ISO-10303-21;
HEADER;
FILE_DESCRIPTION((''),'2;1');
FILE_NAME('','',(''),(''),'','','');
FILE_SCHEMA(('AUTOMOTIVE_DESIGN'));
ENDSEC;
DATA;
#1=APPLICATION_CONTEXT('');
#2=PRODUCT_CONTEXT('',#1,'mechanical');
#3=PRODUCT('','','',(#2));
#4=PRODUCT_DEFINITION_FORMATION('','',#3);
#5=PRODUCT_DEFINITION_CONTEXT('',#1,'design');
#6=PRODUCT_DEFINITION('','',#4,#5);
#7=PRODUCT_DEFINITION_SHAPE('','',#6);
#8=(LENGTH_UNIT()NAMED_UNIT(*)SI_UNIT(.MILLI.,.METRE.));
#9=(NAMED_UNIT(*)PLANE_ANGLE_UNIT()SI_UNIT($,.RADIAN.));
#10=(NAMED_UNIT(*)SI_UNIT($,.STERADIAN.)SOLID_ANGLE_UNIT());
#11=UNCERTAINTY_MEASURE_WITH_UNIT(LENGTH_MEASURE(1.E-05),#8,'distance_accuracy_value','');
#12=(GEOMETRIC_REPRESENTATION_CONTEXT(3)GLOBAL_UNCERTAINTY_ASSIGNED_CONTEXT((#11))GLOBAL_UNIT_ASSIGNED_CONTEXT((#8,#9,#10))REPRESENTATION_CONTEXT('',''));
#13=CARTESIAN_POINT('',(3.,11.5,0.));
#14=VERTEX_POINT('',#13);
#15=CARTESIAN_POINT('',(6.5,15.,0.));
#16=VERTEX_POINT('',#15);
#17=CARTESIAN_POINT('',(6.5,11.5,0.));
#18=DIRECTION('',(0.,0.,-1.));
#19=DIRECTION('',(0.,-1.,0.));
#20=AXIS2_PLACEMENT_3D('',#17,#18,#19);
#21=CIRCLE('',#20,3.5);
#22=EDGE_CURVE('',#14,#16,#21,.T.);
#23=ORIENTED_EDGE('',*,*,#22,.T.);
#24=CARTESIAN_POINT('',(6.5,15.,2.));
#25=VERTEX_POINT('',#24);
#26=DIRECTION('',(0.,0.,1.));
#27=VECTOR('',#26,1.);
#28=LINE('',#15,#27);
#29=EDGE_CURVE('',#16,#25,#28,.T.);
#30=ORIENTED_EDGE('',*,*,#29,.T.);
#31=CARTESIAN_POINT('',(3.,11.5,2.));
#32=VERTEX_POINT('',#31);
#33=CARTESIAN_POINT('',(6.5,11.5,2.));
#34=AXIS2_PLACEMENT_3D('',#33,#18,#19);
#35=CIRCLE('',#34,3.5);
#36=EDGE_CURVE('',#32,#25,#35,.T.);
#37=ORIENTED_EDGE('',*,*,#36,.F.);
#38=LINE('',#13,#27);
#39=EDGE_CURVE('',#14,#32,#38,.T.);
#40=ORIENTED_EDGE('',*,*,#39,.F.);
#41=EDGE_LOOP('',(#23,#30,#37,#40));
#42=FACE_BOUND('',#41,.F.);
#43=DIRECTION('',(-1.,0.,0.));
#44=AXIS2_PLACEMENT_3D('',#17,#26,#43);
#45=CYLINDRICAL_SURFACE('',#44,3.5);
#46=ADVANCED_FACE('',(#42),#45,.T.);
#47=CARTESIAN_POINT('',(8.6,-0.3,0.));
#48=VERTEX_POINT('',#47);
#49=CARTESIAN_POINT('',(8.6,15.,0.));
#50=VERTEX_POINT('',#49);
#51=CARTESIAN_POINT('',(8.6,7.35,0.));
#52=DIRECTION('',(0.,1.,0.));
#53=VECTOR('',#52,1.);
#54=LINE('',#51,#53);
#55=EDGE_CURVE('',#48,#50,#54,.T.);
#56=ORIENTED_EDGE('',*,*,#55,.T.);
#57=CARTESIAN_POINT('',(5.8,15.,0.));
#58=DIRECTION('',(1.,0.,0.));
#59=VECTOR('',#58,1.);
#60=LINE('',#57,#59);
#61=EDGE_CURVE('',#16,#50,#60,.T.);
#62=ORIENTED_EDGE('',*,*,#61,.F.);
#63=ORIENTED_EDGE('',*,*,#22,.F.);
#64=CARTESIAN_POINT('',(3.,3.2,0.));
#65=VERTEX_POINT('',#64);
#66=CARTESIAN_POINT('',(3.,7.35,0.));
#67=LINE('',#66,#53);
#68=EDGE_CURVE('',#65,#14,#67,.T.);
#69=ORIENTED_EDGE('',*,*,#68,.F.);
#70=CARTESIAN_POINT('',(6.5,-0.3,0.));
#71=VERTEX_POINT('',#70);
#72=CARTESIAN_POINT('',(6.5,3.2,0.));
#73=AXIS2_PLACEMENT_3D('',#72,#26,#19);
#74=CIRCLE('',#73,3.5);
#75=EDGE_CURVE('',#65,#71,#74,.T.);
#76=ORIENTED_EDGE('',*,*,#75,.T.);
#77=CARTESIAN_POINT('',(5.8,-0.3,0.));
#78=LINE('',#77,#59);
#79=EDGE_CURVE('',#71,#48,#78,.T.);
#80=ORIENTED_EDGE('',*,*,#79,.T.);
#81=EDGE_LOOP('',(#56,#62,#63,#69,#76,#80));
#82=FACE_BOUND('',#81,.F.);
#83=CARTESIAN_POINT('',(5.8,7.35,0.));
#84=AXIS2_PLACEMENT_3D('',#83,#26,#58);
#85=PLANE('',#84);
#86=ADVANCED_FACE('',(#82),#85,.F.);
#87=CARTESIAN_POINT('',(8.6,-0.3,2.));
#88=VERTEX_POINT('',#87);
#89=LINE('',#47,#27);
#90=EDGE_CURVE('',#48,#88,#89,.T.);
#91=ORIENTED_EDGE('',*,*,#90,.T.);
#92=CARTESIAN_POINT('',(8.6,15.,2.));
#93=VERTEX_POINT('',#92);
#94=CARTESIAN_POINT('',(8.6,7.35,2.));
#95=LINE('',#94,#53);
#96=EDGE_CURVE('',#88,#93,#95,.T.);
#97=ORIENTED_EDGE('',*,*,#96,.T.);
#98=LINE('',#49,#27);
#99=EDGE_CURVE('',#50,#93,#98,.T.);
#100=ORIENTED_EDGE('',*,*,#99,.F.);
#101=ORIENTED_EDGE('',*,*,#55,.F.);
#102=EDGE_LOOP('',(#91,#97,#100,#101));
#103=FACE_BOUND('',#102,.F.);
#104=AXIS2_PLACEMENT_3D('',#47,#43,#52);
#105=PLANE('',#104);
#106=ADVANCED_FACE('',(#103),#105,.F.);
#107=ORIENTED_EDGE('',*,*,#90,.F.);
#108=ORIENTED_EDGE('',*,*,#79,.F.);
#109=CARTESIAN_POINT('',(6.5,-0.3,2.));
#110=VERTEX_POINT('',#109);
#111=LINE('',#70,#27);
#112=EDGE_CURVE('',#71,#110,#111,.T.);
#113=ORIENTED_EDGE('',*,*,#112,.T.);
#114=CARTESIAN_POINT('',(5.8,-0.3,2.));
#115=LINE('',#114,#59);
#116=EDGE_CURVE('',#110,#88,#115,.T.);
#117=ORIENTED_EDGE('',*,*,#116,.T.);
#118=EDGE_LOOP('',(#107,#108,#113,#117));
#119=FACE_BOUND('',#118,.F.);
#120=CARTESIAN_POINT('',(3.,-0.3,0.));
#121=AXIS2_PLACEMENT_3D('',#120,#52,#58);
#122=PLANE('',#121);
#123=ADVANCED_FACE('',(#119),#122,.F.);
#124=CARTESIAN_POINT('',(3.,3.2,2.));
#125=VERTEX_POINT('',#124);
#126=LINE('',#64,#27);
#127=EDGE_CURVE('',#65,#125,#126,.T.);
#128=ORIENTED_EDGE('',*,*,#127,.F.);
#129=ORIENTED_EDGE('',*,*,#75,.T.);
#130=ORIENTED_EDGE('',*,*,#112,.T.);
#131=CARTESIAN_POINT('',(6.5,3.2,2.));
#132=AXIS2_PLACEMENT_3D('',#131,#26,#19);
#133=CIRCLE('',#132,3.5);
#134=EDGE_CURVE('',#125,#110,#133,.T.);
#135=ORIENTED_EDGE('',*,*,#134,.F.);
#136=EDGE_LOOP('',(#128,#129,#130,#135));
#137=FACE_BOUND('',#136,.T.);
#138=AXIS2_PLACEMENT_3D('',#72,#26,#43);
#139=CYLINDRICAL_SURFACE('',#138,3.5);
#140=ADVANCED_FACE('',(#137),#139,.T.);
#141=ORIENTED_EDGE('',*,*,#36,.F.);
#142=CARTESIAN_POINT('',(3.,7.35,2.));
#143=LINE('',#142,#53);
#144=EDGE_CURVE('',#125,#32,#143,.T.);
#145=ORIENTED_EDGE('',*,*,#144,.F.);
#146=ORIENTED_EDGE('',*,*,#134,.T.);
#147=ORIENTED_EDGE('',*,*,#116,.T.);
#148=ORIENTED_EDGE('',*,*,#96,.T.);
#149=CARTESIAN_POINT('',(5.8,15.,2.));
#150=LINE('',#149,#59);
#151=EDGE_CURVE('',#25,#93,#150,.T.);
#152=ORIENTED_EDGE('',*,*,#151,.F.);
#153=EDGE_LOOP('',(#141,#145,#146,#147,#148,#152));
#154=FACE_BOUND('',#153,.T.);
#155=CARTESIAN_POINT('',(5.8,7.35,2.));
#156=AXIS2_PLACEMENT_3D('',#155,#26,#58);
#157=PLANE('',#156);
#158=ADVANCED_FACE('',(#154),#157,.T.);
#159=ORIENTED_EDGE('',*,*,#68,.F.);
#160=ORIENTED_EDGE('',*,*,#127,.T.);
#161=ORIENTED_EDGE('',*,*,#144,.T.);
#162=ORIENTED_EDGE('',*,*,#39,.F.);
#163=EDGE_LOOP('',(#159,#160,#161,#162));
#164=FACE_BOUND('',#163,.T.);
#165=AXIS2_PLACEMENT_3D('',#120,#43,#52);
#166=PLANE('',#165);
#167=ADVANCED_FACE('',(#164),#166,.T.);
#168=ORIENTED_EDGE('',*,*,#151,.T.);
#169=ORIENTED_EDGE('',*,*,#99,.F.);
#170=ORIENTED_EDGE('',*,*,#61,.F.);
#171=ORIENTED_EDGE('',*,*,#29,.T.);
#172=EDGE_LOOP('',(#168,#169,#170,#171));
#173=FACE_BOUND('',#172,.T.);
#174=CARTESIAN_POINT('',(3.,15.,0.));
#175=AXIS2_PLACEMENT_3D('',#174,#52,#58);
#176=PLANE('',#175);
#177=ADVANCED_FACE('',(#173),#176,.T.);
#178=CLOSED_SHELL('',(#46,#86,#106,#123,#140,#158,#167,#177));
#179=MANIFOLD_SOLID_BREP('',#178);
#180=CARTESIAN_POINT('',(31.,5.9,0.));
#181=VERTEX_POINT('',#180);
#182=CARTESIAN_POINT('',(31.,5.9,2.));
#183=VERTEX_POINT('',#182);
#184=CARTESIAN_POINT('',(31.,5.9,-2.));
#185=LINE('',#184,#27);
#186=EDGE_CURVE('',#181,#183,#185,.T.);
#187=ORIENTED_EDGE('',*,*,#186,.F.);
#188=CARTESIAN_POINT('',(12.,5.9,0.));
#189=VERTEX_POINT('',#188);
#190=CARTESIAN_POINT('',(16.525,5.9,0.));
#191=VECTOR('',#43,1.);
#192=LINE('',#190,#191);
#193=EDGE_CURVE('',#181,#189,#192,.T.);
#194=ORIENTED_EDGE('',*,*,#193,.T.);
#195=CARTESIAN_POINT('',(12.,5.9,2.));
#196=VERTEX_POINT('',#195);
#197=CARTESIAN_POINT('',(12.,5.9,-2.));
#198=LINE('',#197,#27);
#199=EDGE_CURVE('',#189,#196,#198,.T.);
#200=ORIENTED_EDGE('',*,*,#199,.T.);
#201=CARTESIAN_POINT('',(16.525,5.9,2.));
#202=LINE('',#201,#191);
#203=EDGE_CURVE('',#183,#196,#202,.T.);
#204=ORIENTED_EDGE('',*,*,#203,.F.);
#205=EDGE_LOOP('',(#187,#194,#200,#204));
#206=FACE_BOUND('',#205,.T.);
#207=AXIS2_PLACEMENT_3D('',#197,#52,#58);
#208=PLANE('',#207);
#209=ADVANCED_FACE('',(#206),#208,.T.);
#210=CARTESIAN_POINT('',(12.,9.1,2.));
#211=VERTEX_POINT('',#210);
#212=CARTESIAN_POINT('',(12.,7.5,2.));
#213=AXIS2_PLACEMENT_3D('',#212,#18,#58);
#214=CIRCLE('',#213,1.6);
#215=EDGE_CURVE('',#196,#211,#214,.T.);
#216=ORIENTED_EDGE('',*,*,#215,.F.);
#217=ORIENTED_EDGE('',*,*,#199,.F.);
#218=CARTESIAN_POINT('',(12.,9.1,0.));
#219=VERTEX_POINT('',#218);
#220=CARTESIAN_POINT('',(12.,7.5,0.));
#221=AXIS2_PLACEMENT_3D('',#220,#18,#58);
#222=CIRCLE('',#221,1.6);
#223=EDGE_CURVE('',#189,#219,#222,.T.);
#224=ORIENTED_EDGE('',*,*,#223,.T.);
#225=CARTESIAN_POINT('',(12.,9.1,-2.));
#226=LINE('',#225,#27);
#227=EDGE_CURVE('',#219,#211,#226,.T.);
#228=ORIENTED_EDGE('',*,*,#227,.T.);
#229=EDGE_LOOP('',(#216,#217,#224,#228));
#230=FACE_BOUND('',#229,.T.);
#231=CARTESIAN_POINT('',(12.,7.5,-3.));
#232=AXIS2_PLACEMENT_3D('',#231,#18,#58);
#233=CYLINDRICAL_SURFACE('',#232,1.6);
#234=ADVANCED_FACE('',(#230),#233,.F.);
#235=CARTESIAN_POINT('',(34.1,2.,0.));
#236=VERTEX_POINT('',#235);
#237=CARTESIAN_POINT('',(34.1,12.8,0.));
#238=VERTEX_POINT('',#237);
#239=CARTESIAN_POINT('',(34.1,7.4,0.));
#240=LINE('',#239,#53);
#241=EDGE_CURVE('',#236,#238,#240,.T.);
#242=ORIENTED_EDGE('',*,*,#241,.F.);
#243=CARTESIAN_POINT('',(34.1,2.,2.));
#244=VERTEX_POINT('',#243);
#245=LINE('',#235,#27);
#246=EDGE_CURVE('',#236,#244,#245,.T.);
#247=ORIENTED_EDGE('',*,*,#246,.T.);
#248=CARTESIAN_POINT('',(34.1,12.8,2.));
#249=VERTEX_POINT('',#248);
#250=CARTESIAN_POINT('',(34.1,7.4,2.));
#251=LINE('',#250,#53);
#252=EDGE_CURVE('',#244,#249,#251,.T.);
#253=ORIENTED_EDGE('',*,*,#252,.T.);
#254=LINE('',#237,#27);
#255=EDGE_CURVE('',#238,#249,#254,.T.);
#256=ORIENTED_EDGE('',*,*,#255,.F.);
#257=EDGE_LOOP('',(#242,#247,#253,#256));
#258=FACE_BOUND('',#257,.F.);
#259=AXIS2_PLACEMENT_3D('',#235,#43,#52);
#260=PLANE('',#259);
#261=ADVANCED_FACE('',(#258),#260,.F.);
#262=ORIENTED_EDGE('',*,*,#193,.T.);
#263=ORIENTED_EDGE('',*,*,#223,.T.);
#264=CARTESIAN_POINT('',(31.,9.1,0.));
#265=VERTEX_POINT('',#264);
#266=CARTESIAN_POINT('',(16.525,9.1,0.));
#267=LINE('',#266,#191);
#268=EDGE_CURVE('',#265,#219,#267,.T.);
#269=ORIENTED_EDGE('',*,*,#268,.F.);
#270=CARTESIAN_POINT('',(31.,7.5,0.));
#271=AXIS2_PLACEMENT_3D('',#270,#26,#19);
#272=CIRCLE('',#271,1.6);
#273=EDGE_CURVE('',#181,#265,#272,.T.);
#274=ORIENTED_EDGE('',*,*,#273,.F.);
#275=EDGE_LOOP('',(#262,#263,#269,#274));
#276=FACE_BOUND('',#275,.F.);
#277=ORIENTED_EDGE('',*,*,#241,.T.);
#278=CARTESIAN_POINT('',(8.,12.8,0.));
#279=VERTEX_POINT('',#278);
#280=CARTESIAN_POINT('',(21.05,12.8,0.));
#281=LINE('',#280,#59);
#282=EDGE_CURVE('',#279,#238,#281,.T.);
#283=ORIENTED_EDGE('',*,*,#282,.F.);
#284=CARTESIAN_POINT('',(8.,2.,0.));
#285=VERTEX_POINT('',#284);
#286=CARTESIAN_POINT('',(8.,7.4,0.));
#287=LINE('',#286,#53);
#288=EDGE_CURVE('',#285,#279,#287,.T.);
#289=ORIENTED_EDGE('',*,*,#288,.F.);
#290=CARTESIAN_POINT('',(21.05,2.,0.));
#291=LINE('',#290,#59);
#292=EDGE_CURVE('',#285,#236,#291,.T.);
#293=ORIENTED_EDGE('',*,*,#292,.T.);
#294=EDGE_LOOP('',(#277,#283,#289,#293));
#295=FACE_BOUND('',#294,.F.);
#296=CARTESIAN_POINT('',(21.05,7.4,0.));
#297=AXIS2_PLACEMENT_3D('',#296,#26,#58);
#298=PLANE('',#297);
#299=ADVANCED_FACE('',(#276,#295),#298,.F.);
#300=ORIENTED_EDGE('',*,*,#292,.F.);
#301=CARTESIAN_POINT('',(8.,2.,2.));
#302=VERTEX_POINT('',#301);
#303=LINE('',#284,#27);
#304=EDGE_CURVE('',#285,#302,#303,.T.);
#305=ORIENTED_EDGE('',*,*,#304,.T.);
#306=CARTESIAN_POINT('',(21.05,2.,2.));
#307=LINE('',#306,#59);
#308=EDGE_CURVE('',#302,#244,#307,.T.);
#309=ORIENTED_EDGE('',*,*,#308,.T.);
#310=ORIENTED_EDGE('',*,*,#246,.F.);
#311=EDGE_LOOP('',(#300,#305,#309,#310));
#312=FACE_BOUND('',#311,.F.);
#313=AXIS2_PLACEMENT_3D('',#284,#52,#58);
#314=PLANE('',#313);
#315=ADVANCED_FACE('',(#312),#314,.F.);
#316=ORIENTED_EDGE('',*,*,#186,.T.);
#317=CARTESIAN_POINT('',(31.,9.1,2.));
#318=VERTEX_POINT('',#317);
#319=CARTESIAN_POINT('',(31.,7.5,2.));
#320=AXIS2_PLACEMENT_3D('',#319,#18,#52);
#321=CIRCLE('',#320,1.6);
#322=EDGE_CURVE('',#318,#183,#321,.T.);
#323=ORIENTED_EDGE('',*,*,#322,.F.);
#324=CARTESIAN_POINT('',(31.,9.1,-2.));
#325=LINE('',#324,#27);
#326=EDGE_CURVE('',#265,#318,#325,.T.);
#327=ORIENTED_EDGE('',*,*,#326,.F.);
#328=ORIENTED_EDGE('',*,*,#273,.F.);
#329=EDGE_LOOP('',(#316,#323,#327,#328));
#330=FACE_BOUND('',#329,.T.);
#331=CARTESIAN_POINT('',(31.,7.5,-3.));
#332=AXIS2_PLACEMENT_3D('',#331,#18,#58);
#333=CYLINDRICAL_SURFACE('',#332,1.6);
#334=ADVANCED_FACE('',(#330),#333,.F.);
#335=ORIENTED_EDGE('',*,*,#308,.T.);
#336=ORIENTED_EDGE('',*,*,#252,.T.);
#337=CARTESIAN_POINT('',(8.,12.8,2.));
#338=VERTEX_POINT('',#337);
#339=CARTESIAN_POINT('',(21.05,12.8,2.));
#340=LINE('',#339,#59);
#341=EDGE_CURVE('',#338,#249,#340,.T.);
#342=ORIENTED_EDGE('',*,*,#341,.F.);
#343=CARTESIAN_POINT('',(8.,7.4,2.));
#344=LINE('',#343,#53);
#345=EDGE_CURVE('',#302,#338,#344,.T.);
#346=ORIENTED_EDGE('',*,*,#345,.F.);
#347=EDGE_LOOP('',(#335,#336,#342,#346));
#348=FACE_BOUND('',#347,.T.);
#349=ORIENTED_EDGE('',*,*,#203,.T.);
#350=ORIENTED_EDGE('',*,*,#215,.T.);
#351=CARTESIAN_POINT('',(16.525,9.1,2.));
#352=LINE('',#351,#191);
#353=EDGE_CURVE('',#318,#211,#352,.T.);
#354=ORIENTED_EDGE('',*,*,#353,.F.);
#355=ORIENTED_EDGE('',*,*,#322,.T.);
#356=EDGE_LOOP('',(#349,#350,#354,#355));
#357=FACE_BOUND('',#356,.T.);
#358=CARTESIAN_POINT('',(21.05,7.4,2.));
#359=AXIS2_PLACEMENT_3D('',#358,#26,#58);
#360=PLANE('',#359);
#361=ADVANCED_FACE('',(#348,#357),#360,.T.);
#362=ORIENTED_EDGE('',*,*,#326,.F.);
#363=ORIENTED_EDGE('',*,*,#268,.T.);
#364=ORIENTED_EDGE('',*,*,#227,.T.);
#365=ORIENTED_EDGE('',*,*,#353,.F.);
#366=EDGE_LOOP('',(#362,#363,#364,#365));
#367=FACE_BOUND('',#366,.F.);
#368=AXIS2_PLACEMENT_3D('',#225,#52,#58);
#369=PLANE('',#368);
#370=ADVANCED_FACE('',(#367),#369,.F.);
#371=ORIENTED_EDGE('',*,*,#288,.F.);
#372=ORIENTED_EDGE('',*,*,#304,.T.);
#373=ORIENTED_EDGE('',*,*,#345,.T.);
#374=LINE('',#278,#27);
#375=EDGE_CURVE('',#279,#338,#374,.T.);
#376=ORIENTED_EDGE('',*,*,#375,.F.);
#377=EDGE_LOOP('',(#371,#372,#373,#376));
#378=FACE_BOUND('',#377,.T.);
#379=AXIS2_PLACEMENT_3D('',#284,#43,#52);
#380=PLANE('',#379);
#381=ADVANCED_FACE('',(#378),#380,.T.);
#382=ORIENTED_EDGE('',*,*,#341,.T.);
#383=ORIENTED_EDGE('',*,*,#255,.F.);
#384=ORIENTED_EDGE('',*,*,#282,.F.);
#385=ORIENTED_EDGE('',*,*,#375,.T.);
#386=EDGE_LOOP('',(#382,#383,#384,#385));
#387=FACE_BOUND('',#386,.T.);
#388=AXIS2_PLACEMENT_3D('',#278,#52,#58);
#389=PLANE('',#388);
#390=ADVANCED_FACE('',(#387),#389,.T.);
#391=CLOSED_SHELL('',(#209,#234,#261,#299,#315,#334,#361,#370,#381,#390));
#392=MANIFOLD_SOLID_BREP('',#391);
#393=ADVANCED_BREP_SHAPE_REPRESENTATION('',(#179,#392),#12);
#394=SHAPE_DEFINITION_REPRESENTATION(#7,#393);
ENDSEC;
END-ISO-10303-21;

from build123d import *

# Parameters (mm, degrees)
CYLINDER001_R     = 1.6
CYLINDER001_DEPTH = 10
CYLINDER_R        = 1.6
CYLINDER_DEPTH    = 10
BOX002_W          = 19
BOX002_H          = 3.2
BOX002_DEPTH      = 10
BOX001_W          = 26.1
BOX001_H          = 10.8
BOX001_DEPTH      = 2
BOX_W             = 5.6
BOX_H             = 15.3
BOX_DEPTH         = 2
FILLET_R          = 3.5
FILLET001_R       = 3.5


with BuildPart() as cilindro001:
    # Cylinder001 → Cylinder001 (new body)
    with BuildSketch(Plane(origin=(31, 7.5, -3), x_dir=(1, 0, 0), z_dir=(0, 0, 1))):
        Circle(CYLINDER001_R)
    extrude(amount=CYLINDER001_DEPTH)


with BuildPart() as cilindro:
    # Cylinder → Cylinder (new body)
    with BuildSketch(Plane(origin=(12, 7.5, -3), x_dir=(1, 0, 0), z_dir=(0, 0, 1))):
        Circle(CYLINDER_R)
    extrude(amount=CYLINDER_DEPTH)


with BuildPart() as fusion:
    # Box002 → Box002 (new body)
    with BuildSketch(Plane(origin=(12, 5.9, -2), x_dir=(1, 0, 0), z_dir=(0, 0, 1))):
        with Locations((9.5, 1.6)):
            Rectangle(BOX002_W, BOX002_H)
    extrude(amount=BOX002_DEPTH)

    # Fusion: union Cilindro001, Cilindro
    add(cilindro001.part)
    add(cilindro.part)


with BuildPart() as cut:
    # Box001 → Box001 (new body)
    with BuildSketch(Plane(origin=(8, 2, 0), x_dir=(1, 0, 0), z_dir=(0, 0, 1))):
        with Locations((13.05, 5.4)):
            Rectangle(BOX001_W, BOX001_H)
    extrude(amount=BOX001_DEPTH)

    # Cut: cut Fusion
    add(fusion.part, mode=Mode.SUBTRACT)


with BuildPart() as fillet001:
    # Box → Box (new body)
    with BuildSketch(Plane(origin=(3, -0.3, 0), x_dir=(1, 0, 0), z_dir=(0, 0, 1))):
        with Locations((2.8, 7.65)):
            Rectangle(BOX_W, BOX_H)
    extrude(amount=BOX_DEPTH)

    # Fillet
    fillet_edges = [fillet001.edges().sort_by_distance(p)[0] for p in [
        (3, 15, 1),
    ]]
    fillet(fillet_edges, radius=FILLET_R)

    # Fillet001
    fillet001_edges = [fillet001.edges().sort_by_distance(p)[0] for p in [
        (3, -0.3, 1),
    ]]
    fillet(fillet001_edges, radius=FILLET001_R)


solid = Compound([cut.part, fillet001.part])
